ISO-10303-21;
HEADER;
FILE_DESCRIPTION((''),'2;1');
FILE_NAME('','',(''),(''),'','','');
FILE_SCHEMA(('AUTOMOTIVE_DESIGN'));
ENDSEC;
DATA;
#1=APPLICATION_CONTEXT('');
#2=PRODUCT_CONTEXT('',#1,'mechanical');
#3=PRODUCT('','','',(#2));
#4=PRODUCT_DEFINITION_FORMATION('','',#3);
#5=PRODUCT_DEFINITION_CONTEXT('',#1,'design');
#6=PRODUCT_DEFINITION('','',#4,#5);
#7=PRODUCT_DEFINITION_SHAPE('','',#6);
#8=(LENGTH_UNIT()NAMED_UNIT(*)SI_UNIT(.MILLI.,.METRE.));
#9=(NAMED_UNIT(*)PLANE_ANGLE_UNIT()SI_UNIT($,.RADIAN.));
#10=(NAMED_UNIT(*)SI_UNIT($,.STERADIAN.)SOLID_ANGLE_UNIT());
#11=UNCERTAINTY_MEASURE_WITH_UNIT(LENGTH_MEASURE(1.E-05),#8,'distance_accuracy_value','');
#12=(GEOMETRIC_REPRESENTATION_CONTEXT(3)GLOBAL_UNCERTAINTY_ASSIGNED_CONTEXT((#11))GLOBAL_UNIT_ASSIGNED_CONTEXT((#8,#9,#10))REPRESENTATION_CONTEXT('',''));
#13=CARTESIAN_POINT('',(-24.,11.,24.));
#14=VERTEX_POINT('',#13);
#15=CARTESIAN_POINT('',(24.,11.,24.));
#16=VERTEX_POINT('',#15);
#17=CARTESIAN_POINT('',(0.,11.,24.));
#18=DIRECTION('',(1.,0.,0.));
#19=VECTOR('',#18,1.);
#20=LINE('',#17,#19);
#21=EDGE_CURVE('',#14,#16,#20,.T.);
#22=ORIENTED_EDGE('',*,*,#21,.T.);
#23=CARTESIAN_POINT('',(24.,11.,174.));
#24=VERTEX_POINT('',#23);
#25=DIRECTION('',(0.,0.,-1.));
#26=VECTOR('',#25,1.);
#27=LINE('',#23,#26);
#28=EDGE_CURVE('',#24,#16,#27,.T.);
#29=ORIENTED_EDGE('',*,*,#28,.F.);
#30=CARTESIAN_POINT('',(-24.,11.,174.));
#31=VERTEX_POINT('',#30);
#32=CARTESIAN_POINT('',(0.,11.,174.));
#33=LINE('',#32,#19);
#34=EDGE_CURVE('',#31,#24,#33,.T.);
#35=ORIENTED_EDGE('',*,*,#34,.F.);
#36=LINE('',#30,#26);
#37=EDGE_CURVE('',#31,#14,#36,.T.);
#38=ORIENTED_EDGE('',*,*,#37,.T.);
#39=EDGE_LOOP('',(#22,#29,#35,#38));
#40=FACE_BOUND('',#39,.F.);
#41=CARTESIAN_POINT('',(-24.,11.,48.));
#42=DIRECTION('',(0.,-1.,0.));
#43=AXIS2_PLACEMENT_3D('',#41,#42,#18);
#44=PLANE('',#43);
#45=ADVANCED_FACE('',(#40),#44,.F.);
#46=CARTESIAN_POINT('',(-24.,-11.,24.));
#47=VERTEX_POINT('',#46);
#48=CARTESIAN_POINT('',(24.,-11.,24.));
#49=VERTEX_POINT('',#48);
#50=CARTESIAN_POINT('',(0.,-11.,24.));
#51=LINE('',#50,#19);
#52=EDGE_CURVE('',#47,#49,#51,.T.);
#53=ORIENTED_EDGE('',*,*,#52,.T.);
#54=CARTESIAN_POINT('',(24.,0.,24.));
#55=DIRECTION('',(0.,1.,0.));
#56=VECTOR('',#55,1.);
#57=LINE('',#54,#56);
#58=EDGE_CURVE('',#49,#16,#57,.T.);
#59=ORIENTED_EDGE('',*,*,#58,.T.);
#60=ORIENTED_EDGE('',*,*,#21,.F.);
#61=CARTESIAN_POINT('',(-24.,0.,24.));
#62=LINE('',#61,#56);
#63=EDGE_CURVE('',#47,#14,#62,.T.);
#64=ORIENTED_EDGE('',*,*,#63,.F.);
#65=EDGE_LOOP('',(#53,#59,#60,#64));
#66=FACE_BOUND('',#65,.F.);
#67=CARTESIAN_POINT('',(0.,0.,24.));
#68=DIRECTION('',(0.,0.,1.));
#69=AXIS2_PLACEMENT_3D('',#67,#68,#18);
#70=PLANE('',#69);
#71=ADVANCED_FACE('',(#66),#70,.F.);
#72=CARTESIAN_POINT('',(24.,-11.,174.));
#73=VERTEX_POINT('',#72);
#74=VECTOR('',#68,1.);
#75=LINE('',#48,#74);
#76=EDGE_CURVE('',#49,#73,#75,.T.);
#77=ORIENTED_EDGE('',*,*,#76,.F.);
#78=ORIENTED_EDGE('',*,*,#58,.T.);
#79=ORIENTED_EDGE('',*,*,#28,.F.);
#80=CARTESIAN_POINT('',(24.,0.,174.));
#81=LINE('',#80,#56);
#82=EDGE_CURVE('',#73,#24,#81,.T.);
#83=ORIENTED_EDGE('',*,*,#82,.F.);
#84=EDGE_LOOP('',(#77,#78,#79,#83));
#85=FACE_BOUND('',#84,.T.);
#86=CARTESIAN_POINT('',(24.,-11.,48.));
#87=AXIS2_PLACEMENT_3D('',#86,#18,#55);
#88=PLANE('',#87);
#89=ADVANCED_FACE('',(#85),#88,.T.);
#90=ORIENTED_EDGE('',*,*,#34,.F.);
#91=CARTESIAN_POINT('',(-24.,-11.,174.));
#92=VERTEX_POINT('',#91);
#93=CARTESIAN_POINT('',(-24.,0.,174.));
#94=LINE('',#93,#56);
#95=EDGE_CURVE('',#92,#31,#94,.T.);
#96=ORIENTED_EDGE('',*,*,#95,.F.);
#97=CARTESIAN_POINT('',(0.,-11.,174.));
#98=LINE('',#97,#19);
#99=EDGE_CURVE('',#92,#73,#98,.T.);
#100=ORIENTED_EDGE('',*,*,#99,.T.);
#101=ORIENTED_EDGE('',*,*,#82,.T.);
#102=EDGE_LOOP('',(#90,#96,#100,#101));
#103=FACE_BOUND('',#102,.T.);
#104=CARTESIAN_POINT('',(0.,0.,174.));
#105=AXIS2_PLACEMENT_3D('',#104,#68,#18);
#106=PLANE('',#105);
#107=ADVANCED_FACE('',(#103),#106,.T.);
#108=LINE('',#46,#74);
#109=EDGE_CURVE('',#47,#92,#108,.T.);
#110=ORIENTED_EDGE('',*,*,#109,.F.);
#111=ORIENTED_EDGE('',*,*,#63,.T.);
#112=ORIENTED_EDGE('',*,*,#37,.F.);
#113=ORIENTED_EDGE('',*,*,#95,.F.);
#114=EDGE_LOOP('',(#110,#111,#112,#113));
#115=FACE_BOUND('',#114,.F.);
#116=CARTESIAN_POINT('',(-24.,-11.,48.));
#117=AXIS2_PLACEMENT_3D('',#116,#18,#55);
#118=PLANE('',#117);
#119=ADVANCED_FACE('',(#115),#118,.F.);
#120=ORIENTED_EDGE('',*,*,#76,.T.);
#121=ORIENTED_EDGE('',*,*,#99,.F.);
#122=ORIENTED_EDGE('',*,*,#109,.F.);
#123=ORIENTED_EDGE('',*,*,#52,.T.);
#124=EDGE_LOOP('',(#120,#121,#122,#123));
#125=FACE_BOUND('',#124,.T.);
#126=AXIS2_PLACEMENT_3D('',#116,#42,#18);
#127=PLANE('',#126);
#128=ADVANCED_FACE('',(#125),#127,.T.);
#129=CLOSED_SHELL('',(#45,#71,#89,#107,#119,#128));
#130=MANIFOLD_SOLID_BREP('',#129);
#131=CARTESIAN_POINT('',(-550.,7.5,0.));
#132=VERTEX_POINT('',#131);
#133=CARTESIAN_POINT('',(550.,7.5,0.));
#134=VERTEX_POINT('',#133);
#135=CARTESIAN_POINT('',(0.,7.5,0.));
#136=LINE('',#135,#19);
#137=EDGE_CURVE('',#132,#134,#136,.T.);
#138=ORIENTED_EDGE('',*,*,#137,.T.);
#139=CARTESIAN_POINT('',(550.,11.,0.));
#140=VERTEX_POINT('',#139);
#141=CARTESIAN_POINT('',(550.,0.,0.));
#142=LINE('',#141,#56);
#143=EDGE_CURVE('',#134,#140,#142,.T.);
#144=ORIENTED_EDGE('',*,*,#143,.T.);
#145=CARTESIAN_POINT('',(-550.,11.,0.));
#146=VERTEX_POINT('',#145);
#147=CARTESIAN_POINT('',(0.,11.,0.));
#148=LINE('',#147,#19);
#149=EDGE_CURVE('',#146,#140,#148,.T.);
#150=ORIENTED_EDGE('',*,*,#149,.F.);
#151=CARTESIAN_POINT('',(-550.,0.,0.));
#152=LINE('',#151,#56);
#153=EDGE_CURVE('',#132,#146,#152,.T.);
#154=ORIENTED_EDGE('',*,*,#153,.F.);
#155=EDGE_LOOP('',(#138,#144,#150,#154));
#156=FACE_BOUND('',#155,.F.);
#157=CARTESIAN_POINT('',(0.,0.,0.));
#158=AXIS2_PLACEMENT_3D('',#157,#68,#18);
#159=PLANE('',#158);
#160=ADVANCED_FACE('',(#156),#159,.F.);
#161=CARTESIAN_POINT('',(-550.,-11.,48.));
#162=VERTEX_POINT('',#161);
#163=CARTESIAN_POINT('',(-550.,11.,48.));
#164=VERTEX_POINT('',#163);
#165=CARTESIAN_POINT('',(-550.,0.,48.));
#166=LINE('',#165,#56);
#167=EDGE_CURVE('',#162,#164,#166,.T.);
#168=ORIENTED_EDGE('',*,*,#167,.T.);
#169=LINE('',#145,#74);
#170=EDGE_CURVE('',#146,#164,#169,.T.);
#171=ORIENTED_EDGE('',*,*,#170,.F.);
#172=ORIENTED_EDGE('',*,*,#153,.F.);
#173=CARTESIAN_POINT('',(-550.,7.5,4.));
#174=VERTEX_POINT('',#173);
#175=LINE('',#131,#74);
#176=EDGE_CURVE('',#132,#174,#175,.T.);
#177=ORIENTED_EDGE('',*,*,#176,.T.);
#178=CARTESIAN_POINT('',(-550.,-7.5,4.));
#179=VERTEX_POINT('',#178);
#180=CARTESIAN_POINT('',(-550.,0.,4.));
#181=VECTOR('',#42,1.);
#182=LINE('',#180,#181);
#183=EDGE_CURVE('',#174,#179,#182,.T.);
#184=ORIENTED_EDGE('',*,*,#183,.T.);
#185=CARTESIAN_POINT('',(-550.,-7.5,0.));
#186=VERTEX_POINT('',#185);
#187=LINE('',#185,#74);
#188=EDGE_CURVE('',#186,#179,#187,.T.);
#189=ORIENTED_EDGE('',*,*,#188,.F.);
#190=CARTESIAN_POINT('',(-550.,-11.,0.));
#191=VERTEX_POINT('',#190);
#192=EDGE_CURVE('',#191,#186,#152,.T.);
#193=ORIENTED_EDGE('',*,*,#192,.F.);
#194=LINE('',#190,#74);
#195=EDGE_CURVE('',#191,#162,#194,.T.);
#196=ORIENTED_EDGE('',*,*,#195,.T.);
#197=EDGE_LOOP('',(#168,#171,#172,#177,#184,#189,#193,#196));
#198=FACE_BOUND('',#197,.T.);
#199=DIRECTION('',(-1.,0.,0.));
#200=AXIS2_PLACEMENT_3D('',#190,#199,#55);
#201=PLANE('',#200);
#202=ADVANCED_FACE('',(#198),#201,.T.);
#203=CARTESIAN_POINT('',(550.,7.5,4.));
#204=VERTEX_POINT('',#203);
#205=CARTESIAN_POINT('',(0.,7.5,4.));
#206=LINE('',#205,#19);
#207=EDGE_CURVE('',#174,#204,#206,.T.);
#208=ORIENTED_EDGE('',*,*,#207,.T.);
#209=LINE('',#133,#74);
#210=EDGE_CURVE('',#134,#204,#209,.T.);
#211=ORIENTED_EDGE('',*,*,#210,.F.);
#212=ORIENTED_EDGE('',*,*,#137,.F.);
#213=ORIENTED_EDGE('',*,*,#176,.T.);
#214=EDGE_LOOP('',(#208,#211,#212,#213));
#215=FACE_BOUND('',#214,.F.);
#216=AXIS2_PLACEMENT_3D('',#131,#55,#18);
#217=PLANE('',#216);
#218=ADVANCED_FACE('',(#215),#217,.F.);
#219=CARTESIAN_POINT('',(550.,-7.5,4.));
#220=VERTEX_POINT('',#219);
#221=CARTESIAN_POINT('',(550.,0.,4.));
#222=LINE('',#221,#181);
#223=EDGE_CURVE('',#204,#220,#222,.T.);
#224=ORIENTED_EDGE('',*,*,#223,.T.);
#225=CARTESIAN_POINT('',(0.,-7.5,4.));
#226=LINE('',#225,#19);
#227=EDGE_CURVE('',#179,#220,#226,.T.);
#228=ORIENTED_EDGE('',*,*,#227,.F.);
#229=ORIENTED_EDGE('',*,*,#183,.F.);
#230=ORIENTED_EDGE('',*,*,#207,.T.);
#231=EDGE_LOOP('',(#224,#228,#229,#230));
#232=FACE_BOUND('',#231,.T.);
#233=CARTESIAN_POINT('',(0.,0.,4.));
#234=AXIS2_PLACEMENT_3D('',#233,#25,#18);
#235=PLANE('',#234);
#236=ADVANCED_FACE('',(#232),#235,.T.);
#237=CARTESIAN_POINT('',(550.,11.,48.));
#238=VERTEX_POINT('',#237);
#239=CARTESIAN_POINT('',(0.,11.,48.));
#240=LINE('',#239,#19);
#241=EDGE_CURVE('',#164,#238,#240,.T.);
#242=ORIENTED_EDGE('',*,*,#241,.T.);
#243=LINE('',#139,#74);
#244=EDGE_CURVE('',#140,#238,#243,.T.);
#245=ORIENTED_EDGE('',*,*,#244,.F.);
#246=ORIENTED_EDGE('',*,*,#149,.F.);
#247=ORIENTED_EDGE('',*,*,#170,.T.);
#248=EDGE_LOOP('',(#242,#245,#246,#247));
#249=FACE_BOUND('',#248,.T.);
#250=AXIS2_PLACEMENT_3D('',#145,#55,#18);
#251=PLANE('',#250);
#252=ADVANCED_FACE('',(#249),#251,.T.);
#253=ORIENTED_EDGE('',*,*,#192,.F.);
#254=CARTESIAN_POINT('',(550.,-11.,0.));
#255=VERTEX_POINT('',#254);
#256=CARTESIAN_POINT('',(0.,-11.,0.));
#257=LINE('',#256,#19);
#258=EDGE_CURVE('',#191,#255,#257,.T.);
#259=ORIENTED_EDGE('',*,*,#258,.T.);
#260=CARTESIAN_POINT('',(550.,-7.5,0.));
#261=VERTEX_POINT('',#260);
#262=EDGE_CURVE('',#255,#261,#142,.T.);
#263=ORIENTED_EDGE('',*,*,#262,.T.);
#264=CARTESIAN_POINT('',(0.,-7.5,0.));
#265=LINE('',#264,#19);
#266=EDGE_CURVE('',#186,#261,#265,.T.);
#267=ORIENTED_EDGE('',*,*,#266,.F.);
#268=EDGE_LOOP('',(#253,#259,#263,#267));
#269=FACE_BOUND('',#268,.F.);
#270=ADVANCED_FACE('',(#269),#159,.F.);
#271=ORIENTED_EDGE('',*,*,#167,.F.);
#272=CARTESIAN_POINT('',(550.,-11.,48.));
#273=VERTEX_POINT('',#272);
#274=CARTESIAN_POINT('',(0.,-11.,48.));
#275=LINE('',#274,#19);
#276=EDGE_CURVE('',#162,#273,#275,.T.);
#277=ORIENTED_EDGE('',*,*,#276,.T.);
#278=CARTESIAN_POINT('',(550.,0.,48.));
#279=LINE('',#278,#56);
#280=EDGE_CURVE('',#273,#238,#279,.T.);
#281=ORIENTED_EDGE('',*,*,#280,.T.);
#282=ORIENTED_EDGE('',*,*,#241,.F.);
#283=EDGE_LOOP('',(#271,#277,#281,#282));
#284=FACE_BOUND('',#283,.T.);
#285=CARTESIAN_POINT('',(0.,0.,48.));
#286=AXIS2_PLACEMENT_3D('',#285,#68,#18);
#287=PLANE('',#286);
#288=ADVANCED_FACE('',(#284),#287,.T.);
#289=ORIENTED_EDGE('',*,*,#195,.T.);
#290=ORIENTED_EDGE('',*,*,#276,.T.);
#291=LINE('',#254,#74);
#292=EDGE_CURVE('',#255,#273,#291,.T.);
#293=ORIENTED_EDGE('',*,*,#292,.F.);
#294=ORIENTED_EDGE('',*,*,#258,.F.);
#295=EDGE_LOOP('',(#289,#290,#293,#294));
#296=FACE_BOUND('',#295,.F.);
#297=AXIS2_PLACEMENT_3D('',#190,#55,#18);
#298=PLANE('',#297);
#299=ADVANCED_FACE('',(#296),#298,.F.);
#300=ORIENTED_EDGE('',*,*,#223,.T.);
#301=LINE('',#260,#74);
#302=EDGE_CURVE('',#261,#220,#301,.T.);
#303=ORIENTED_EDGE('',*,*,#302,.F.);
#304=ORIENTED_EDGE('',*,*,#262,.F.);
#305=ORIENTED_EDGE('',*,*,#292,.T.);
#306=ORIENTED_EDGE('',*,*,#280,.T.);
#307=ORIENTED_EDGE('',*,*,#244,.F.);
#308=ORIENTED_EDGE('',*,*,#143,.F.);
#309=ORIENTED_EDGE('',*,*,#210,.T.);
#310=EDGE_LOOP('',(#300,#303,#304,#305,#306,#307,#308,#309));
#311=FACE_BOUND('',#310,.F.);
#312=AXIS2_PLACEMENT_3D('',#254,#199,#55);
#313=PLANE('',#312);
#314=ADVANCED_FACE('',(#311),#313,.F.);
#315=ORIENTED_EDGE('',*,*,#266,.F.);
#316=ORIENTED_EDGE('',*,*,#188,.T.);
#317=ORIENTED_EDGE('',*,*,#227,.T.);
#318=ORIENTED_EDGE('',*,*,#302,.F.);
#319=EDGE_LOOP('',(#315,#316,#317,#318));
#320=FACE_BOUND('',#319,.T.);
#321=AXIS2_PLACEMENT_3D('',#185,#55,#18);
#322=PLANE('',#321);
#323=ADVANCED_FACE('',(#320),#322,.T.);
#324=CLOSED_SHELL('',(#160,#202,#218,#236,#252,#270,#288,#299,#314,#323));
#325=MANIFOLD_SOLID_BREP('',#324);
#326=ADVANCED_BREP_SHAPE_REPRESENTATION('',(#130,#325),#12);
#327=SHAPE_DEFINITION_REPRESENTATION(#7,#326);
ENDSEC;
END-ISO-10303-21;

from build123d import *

# Parameters (mm, degrees)
F0_W          = 1100
F0_H          = 22
F1_DEPTH      = 48
F2_W          = 48
F2_H          = 22
F3_DEPTH      = 126
F3_DEPTH_BACK = 24
F4_W          = 1100
F4_H          = 15
F5_DEPTH      = 4


with BuildPart() as f1:
    # F0 (on Top) → F1 (new body)
    with BuildSketch(Plane.XY):
        Rectangle(F0_W, F0_H)
    extrude(amount=F1_DEPTH)

    # F4 (on face) → F5 (cut)
    with BuildSketch(Plane(origin=(0, 0, 0), x_dir=(1, 0, 0), z_dir=(0, 0, -1))):
        Rectangle(F4_W, F4_H)
    extrude(amount=-F5_DEPTH, mode=Mode.SUBTRACT)


with BuildPart() as f3:
    # F2 (on face) → F3 (new body, two sides)
    with BuildSketch(Plane.XY.offset(48)) as f3_sk:
        Rectangle(F2_W, F2_H)
    extrude(amount=F3_DEPTH)
    extrude(f3_sk.sketch, amount=-F3_DEPTH_BACK)


solid = Compound([f1.part, f3.part])
